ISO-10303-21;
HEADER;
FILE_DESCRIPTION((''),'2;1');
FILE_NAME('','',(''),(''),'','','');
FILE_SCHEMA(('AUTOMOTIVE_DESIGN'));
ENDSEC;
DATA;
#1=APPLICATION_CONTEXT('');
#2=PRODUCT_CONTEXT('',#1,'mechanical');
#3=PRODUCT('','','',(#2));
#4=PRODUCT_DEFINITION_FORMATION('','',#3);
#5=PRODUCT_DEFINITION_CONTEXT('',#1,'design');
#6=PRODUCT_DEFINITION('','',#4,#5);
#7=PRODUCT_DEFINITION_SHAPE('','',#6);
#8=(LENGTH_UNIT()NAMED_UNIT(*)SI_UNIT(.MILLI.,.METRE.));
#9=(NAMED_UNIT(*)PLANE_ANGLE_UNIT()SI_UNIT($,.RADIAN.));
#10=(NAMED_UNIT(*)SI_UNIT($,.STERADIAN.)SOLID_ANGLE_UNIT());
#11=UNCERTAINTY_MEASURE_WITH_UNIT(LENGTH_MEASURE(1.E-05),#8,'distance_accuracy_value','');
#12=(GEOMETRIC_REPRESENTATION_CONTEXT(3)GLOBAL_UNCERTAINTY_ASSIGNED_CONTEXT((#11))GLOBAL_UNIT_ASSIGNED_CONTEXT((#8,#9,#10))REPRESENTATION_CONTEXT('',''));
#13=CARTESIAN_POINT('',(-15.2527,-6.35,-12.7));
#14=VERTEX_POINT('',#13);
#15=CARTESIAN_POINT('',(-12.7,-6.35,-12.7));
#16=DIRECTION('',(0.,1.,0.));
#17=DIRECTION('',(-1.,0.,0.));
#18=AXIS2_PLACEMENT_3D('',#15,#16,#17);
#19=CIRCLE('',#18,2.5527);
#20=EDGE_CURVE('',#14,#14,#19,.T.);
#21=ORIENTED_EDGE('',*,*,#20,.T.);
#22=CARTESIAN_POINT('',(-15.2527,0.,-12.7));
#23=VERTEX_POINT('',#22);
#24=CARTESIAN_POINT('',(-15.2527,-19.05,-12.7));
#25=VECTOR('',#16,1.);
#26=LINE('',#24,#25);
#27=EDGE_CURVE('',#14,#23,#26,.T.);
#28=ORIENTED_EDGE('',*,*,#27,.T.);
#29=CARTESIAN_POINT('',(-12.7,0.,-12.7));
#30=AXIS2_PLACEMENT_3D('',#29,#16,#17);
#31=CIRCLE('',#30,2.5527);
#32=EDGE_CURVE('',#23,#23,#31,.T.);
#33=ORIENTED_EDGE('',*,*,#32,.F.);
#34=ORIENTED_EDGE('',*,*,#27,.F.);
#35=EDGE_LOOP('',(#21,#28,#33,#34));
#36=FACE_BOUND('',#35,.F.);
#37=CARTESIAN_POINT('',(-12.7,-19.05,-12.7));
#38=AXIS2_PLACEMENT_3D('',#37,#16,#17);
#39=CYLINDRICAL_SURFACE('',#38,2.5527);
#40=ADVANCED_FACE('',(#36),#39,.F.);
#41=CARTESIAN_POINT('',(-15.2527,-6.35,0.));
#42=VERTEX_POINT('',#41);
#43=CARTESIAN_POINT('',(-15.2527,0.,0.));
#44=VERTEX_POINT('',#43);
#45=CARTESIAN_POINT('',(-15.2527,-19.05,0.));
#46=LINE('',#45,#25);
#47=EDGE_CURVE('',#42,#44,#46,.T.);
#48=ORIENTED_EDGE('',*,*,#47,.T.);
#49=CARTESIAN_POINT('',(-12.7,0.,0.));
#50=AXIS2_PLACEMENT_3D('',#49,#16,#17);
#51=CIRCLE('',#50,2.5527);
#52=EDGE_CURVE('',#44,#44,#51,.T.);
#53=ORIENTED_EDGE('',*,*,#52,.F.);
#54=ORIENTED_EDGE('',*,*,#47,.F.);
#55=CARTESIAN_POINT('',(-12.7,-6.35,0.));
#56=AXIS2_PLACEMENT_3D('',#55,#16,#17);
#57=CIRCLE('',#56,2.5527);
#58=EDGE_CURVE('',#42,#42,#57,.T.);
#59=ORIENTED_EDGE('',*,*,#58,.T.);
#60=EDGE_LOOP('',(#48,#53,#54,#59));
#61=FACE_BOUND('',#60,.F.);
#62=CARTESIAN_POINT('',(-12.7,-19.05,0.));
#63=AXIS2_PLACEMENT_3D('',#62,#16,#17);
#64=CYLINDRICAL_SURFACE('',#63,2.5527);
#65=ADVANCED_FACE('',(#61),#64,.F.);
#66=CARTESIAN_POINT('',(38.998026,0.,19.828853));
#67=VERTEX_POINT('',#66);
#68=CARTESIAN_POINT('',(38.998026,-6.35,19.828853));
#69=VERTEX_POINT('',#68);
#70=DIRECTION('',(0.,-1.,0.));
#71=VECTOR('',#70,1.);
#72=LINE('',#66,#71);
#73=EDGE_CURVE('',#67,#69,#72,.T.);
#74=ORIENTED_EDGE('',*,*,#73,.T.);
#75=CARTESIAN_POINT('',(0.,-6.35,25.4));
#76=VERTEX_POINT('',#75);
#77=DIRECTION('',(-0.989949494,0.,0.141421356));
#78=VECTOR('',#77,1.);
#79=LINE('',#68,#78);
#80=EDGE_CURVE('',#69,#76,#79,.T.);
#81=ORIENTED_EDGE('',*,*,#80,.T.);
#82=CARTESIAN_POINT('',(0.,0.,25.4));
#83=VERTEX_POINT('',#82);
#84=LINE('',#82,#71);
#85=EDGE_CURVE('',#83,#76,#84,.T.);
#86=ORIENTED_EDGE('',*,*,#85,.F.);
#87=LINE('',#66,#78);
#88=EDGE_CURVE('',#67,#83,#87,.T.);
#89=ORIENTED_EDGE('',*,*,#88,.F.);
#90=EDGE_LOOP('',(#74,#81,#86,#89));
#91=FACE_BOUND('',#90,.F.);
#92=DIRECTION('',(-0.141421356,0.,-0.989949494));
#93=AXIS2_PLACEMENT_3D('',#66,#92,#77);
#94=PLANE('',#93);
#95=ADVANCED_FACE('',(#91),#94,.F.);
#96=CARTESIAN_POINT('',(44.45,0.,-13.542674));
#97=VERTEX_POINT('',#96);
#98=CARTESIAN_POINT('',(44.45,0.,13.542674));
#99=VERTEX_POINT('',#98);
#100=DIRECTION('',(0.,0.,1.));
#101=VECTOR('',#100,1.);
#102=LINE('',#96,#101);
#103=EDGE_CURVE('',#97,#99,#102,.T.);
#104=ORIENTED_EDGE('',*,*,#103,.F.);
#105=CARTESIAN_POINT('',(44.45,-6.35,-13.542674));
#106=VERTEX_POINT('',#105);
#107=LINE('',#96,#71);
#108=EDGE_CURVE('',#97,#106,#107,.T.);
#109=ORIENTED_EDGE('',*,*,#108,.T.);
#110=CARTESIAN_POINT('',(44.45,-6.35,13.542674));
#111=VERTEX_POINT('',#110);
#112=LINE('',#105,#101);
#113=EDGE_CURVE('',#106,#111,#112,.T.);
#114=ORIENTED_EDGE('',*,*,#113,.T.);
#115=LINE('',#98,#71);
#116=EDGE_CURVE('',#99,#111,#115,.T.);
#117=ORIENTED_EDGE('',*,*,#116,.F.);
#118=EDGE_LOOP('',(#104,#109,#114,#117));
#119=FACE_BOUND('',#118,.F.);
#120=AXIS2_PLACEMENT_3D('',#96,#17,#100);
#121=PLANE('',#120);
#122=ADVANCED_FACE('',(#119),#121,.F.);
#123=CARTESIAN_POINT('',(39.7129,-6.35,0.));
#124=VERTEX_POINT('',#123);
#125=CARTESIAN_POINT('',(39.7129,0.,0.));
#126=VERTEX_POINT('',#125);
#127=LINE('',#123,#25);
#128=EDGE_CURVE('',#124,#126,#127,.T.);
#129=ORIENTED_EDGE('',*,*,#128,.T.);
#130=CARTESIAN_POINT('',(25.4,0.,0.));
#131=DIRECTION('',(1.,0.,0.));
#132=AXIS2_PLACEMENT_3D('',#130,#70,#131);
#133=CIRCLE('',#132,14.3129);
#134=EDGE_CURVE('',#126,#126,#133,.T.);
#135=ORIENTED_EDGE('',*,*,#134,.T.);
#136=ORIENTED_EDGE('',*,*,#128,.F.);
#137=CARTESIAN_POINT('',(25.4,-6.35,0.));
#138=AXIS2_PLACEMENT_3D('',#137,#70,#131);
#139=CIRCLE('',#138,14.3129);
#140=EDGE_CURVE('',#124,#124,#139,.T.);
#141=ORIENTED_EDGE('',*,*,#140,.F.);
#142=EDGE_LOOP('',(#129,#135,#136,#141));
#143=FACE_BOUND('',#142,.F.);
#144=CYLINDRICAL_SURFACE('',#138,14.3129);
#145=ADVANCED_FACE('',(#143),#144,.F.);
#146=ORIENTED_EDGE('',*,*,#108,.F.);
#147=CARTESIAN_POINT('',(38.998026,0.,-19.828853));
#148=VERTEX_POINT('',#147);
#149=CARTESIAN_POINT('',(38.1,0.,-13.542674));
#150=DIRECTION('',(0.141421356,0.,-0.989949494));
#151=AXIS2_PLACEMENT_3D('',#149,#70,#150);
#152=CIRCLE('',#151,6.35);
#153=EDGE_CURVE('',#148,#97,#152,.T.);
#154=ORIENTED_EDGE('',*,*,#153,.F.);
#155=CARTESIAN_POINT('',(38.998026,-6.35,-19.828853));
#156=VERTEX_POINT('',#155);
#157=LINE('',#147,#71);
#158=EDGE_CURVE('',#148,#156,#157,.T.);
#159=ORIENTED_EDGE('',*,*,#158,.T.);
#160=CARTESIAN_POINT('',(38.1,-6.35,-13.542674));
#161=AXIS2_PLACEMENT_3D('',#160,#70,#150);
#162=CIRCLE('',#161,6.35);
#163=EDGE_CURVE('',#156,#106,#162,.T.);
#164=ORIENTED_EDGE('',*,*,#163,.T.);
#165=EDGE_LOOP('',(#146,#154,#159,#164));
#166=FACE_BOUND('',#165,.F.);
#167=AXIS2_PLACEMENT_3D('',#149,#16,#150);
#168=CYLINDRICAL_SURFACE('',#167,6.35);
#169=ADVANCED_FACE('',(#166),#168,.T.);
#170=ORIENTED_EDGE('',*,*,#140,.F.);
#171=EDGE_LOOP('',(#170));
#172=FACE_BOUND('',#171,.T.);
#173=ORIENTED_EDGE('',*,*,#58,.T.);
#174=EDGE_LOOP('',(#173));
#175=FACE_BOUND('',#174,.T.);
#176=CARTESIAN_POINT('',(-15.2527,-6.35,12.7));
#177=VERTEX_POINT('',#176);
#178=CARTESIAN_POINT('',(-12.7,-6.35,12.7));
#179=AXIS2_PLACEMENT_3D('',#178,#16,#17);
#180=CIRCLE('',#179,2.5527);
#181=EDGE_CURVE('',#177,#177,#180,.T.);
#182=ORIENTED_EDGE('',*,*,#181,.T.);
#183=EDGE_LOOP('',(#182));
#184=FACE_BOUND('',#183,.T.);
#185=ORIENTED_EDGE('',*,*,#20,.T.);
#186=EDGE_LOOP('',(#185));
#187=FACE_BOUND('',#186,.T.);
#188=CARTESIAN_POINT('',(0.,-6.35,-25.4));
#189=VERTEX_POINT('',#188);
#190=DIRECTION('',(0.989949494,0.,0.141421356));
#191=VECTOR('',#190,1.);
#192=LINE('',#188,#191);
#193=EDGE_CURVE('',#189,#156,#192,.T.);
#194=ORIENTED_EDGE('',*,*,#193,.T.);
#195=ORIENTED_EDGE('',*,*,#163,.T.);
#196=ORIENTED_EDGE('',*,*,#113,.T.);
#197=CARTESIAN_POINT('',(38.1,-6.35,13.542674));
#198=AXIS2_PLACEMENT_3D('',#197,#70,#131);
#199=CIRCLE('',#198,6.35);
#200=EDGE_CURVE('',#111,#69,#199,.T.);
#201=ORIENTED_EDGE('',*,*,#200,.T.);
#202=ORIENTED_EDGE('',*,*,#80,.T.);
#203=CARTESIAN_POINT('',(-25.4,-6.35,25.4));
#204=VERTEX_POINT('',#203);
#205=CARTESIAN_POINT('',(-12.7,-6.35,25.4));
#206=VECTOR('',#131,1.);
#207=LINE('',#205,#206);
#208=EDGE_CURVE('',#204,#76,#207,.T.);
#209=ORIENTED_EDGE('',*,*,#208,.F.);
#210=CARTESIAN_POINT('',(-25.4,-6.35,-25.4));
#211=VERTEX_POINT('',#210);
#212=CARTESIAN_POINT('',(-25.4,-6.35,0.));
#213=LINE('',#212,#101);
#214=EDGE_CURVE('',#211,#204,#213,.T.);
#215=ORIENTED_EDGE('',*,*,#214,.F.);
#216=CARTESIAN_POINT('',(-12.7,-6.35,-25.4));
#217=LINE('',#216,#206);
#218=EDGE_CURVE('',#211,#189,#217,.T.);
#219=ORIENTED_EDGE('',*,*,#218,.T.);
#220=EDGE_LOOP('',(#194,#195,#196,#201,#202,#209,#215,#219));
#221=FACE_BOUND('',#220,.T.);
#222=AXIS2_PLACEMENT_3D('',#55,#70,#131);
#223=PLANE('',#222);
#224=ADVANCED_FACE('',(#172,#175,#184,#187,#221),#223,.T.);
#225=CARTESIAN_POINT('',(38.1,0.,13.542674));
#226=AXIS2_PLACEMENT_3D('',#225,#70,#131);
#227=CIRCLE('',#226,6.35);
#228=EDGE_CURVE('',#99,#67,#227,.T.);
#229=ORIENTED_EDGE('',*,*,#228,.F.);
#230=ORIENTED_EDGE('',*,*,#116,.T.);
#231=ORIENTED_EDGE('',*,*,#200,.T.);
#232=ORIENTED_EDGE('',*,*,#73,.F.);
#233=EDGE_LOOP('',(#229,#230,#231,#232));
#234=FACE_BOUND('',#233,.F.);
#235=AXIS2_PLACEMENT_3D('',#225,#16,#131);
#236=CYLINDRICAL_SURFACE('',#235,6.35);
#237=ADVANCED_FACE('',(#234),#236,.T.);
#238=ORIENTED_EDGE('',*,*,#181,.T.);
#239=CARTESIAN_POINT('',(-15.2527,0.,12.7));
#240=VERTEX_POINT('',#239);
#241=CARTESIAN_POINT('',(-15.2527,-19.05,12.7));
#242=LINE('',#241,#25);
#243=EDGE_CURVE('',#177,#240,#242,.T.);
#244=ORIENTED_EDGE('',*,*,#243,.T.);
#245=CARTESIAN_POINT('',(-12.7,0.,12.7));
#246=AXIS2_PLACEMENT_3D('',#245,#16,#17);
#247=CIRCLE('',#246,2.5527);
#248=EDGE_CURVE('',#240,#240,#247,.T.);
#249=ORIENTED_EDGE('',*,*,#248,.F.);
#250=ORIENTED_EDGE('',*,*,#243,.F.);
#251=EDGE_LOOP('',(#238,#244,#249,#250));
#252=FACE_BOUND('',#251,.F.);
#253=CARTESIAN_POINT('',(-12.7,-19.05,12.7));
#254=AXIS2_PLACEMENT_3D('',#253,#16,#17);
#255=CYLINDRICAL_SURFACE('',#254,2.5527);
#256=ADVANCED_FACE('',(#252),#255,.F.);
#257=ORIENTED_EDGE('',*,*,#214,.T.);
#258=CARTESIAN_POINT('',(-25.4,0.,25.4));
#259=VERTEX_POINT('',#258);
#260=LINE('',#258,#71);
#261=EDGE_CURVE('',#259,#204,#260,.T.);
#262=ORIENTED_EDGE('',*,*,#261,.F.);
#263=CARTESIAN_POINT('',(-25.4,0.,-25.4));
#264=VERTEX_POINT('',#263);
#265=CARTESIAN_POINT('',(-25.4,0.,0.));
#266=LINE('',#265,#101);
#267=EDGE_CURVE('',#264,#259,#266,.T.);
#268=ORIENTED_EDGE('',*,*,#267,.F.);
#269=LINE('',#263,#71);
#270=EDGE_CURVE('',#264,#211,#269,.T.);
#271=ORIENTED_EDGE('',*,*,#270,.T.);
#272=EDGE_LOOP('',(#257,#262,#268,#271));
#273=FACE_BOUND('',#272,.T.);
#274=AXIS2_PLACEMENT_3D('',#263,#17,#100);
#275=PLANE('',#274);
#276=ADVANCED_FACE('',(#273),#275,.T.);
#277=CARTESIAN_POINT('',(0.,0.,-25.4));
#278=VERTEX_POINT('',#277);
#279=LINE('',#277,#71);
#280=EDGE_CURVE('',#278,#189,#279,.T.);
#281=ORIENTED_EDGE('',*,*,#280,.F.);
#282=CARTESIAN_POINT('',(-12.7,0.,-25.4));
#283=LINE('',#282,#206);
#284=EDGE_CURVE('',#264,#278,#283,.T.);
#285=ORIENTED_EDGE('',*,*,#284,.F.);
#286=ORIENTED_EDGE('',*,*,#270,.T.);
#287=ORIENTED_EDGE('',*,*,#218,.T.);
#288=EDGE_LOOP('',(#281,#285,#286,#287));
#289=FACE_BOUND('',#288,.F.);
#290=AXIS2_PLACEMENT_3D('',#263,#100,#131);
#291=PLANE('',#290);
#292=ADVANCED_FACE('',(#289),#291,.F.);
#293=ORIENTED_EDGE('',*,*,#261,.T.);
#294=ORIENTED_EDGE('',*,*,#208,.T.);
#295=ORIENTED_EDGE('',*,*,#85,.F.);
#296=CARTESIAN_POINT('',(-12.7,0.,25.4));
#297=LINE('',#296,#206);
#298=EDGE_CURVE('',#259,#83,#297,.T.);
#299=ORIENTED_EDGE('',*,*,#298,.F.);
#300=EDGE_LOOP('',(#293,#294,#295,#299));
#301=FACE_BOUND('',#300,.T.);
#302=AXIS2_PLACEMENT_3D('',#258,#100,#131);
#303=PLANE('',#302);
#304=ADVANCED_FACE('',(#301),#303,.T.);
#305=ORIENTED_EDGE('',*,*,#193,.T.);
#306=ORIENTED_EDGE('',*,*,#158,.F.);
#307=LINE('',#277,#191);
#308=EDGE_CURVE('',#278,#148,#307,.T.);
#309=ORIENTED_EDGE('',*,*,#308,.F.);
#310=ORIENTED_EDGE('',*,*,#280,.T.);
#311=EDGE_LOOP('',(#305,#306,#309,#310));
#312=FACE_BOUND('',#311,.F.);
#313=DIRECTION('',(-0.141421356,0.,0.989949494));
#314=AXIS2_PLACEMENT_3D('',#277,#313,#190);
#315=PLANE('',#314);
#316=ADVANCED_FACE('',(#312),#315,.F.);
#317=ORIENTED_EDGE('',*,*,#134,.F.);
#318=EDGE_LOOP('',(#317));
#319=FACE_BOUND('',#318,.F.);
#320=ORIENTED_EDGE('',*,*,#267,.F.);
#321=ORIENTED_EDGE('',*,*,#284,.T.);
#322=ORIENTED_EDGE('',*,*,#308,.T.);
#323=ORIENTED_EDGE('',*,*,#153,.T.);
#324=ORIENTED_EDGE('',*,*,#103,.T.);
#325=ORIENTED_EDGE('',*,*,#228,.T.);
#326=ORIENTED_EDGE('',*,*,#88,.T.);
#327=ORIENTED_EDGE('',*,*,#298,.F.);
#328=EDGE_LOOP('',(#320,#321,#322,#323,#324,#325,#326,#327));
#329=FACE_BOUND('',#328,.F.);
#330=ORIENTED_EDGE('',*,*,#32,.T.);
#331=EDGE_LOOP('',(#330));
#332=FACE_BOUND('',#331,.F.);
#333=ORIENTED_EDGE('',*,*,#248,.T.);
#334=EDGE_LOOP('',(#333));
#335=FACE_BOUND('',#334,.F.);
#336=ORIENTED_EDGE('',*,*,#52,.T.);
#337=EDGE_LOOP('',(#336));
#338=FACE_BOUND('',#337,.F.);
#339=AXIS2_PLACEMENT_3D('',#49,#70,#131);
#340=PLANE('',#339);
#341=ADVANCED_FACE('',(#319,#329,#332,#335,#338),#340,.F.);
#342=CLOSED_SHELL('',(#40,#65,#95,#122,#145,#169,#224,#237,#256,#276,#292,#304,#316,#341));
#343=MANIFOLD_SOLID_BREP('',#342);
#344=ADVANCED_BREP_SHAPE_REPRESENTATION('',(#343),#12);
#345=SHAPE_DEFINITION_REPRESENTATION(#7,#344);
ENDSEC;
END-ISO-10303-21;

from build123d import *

# Parameters (mm, degrees)
F0_W     = 25.4
F0_H     = 50.8
F1_DEPTH = 6.35
F3_D     = 5.1054
F3_DEPTH = 12.7
F3_TIP   = 1.5338169022
F4_R     = 14.3129
F5_DEPTH = 6.35


with BuildPart() as f1:
    # F0 (on Front) → F1 (new body)
    with BuildSketch(Plane.XZ):
        with Locations((-12.7, 0)):
            Rectangle(F0_W, F0_H)
        with BuildLine():
            Line((38.9980256121, 19.828853484), (0, 25.4))
            Line((0, 25.4), (0, -25.4))
            Line((0, -25.4), (38.9980256121, -19.828853484))
            ThreePointArc((38.9980256121, -19.828853484), (42.8971326142, -17.7032052569), (44.45, -13.5426741992))
            Line((44.45, -13.5426741992), (44.45, 0))
            Line((44.45, 0), (44.45, 13.5426741992))
            ThreePointArc((44.45, 13.5426741992), (42.8971326142, 17.7032052569), (38.9980256121, 19.828853484))
        make_face()
    extrude(amount=F1_DEPTH)

    # F3
    with Locations(Plane.XZ.offset(6.35)):
        with Locations((-12.7, 12.7), (-12.7, 0), (-12.7, -12.7)):
            Hole(F3_D / 2, depth=F3_DEPTH)
            with Locations((0, 0, -(F3_DEPTH + F3_TIP / 2))):  # 118° drill point
                Cone(0, F3_D / 2, F3_TIP, mode=Mode.SUBTRACT)

    # F4 (on face) → F5 (cut, through all)
    with BuildSketch(Plane.XZ.offset(6.35)):
        with Locations((25.4, 0)):
            Circle(F4_R)
    extrude(amount=-F5_DEPTH, mode=Mode.SUBTRACT)


solid = f1.part
